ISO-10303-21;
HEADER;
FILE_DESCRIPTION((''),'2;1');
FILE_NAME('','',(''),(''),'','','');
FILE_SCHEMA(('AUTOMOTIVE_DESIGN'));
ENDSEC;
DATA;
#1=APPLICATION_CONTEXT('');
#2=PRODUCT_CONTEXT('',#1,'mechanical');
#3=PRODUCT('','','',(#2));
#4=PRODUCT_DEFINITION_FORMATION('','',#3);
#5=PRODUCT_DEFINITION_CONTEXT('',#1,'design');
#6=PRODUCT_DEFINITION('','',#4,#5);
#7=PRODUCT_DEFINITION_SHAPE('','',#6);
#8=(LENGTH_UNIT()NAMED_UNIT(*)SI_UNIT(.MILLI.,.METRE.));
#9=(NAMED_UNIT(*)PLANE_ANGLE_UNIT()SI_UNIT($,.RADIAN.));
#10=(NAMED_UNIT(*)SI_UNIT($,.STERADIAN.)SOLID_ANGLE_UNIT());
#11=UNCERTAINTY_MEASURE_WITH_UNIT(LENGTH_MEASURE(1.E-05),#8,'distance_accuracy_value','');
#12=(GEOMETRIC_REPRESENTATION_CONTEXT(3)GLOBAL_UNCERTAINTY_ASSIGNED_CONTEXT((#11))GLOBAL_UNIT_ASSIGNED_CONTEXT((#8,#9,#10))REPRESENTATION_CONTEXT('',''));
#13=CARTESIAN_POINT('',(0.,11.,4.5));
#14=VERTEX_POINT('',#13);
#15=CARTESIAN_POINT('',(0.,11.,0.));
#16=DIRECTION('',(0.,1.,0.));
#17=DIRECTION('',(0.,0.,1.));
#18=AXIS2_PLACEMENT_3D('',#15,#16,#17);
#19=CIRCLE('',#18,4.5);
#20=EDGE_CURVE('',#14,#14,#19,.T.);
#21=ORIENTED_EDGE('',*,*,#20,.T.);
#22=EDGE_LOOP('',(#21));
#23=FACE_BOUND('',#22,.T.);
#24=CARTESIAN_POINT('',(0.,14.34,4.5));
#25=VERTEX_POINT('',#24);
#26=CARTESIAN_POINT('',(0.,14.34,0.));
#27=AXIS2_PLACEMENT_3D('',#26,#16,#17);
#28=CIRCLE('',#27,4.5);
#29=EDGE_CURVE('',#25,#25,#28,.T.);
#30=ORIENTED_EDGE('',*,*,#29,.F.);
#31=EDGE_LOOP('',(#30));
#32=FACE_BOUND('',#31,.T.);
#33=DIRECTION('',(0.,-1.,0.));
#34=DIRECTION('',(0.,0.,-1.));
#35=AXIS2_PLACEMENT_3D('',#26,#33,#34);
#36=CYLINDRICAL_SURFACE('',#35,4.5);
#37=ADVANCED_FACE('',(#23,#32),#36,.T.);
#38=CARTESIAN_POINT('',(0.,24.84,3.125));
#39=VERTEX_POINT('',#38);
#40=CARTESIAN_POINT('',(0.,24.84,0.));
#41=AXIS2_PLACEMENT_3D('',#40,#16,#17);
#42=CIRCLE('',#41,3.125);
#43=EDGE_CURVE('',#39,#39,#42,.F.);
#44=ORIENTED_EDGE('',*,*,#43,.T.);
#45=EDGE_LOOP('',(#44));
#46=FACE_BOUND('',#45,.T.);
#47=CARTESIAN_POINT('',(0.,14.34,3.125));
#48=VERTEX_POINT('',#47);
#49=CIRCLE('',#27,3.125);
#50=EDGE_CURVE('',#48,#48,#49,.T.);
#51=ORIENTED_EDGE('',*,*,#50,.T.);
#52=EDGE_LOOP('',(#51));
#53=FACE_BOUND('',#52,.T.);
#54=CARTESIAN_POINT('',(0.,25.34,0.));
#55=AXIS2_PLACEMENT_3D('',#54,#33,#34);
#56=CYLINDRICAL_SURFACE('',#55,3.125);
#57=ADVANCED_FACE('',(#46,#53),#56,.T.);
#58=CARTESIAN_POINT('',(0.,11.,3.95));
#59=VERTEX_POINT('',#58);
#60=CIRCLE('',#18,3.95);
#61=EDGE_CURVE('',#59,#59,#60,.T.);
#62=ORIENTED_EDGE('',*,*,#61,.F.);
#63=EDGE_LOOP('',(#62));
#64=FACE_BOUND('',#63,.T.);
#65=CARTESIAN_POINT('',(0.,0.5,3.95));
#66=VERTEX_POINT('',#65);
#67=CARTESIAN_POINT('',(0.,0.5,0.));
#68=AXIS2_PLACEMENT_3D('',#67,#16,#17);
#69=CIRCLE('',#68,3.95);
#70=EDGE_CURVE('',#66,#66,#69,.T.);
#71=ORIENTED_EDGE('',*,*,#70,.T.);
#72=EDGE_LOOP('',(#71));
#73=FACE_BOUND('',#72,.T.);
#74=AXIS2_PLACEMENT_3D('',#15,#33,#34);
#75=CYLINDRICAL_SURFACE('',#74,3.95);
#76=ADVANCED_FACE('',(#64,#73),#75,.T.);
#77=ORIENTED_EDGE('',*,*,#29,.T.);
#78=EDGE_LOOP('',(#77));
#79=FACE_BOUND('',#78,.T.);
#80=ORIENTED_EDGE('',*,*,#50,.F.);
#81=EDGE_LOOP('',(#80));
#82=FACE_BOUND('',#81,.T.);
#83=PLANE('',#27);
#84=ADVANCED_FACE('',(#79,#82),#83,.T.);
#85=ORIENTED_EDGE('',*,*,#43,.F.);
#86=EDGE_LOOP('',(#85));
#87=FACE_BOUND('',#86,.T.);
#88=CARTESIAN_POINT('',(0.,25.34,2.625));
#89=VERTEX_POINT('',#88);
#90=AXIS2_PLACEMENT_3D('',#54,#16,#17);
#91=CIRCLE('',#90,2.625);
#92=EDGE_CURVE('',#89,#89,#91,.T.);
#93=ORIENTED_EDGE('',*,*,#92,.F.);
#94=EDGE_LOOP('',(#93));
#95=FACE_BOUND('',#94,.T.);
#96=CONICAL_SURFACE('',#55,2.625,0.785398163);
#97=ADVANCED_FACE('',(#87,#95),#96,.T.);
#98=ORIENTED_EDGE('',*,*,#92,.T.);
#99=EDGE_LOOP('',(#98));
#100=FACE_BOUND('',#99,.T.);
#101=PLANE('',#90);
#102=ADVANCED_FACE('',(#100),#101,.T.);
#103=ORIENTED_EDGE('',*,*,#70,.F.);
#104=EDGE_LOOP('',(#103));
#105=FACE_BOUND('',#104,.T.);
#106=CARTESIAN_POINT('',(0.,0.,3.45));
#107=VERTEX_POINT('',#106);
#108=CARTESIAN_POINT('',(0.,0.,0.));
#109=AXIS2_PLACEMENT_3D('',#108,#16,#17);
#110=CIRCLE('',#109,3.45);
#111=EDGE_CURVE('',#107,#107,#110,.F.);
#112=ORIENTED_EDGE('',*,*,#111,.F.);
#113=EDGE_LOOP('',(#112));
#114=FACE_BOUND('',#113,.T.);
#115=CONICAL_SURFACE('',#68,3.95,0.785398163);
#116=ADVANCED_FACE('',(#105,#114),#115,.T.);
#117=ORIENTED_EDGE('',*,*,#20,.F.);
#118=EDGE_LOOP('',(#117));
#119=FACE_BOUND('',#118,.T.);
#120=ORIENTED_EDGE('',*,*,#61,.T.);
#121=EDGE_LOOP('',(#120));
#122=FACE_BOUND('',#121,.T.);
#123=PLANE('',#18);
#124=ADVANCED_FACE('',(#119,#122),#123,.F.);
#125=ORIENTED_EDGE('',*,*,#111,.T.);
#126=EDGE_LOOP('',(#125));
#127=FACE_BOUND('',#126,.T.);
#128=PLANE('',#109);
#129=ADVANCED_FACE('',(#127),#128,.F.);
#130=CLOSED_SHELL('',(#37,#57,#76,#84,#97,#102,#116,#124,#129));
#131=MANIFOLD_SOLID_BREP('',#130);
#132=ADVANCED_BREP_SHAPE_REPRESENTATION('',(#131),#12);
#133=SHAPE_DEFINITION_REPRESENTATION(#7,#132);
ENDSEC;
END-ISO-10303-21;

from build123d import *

# Parameters (mm, degrees)
SKETCH1_R           = 3.95
BOSS_EXTRUDE1_DEPTH = 11
SKETCH2_R           = 4.5
BOSS_EXTRUDE2_DEPTH = 3.34
SKETCH4_R           = 3.125
BOSS_EXTRUDE3_DEPTH = 11
CHAMFER1_SIZE       = 0.5


with BuildPart() as part:
    # Sketch1 → Boss-Extrude1 (new body)
    with BuildSketch(Plane(origin=(0, 0, 0), x_dir=(1, 0, 0), z_dir=(0, 1, 0))):
        with Locations(Location((0, 0, 0), (0, 0, 270))):
            Circle(SKETCH1_R)
    extrude(amount=BOSS_EXTRUDE1_DEPTH)

    # Sketch2 → Boss-Extrude2 (add)
    with BuildSketch(Plane(origin=(0, 11, 0), x_dir=(1, 0, 0), z_dir=(0, 1, 0))):
        with Locations(Location((0, 0, 0), (0, 0, 270))):
            Circle(SKETCH2_R)
    extrude(amount=BOSS_EXTRUDE2_DEPTH)

    # Sketch4 → Boss-Extrude3 (add)
    with BuildSketch(Plane(origin=(0, 14.34, 0), x_dir=(1, 0, 0), z_dir=(0, 1, 0))):
        with Locations(Location((0, 0, 0), (0, 0, 270))):
            Circle(SKETCH4_R)
    extrude(amount=BOSS_EXTRUDE3_DEPTH)

    # Chamfer1
    chamfer1_edges = [part.edges().sort_by_distance(p)[0] for p in [
        (0, 25.34, -3.125),
        (0, 0, -3.95),
    ]]
    chamfer(chamfer1_edges, length=CHAMFER1_SIZE)


solid = part.part
